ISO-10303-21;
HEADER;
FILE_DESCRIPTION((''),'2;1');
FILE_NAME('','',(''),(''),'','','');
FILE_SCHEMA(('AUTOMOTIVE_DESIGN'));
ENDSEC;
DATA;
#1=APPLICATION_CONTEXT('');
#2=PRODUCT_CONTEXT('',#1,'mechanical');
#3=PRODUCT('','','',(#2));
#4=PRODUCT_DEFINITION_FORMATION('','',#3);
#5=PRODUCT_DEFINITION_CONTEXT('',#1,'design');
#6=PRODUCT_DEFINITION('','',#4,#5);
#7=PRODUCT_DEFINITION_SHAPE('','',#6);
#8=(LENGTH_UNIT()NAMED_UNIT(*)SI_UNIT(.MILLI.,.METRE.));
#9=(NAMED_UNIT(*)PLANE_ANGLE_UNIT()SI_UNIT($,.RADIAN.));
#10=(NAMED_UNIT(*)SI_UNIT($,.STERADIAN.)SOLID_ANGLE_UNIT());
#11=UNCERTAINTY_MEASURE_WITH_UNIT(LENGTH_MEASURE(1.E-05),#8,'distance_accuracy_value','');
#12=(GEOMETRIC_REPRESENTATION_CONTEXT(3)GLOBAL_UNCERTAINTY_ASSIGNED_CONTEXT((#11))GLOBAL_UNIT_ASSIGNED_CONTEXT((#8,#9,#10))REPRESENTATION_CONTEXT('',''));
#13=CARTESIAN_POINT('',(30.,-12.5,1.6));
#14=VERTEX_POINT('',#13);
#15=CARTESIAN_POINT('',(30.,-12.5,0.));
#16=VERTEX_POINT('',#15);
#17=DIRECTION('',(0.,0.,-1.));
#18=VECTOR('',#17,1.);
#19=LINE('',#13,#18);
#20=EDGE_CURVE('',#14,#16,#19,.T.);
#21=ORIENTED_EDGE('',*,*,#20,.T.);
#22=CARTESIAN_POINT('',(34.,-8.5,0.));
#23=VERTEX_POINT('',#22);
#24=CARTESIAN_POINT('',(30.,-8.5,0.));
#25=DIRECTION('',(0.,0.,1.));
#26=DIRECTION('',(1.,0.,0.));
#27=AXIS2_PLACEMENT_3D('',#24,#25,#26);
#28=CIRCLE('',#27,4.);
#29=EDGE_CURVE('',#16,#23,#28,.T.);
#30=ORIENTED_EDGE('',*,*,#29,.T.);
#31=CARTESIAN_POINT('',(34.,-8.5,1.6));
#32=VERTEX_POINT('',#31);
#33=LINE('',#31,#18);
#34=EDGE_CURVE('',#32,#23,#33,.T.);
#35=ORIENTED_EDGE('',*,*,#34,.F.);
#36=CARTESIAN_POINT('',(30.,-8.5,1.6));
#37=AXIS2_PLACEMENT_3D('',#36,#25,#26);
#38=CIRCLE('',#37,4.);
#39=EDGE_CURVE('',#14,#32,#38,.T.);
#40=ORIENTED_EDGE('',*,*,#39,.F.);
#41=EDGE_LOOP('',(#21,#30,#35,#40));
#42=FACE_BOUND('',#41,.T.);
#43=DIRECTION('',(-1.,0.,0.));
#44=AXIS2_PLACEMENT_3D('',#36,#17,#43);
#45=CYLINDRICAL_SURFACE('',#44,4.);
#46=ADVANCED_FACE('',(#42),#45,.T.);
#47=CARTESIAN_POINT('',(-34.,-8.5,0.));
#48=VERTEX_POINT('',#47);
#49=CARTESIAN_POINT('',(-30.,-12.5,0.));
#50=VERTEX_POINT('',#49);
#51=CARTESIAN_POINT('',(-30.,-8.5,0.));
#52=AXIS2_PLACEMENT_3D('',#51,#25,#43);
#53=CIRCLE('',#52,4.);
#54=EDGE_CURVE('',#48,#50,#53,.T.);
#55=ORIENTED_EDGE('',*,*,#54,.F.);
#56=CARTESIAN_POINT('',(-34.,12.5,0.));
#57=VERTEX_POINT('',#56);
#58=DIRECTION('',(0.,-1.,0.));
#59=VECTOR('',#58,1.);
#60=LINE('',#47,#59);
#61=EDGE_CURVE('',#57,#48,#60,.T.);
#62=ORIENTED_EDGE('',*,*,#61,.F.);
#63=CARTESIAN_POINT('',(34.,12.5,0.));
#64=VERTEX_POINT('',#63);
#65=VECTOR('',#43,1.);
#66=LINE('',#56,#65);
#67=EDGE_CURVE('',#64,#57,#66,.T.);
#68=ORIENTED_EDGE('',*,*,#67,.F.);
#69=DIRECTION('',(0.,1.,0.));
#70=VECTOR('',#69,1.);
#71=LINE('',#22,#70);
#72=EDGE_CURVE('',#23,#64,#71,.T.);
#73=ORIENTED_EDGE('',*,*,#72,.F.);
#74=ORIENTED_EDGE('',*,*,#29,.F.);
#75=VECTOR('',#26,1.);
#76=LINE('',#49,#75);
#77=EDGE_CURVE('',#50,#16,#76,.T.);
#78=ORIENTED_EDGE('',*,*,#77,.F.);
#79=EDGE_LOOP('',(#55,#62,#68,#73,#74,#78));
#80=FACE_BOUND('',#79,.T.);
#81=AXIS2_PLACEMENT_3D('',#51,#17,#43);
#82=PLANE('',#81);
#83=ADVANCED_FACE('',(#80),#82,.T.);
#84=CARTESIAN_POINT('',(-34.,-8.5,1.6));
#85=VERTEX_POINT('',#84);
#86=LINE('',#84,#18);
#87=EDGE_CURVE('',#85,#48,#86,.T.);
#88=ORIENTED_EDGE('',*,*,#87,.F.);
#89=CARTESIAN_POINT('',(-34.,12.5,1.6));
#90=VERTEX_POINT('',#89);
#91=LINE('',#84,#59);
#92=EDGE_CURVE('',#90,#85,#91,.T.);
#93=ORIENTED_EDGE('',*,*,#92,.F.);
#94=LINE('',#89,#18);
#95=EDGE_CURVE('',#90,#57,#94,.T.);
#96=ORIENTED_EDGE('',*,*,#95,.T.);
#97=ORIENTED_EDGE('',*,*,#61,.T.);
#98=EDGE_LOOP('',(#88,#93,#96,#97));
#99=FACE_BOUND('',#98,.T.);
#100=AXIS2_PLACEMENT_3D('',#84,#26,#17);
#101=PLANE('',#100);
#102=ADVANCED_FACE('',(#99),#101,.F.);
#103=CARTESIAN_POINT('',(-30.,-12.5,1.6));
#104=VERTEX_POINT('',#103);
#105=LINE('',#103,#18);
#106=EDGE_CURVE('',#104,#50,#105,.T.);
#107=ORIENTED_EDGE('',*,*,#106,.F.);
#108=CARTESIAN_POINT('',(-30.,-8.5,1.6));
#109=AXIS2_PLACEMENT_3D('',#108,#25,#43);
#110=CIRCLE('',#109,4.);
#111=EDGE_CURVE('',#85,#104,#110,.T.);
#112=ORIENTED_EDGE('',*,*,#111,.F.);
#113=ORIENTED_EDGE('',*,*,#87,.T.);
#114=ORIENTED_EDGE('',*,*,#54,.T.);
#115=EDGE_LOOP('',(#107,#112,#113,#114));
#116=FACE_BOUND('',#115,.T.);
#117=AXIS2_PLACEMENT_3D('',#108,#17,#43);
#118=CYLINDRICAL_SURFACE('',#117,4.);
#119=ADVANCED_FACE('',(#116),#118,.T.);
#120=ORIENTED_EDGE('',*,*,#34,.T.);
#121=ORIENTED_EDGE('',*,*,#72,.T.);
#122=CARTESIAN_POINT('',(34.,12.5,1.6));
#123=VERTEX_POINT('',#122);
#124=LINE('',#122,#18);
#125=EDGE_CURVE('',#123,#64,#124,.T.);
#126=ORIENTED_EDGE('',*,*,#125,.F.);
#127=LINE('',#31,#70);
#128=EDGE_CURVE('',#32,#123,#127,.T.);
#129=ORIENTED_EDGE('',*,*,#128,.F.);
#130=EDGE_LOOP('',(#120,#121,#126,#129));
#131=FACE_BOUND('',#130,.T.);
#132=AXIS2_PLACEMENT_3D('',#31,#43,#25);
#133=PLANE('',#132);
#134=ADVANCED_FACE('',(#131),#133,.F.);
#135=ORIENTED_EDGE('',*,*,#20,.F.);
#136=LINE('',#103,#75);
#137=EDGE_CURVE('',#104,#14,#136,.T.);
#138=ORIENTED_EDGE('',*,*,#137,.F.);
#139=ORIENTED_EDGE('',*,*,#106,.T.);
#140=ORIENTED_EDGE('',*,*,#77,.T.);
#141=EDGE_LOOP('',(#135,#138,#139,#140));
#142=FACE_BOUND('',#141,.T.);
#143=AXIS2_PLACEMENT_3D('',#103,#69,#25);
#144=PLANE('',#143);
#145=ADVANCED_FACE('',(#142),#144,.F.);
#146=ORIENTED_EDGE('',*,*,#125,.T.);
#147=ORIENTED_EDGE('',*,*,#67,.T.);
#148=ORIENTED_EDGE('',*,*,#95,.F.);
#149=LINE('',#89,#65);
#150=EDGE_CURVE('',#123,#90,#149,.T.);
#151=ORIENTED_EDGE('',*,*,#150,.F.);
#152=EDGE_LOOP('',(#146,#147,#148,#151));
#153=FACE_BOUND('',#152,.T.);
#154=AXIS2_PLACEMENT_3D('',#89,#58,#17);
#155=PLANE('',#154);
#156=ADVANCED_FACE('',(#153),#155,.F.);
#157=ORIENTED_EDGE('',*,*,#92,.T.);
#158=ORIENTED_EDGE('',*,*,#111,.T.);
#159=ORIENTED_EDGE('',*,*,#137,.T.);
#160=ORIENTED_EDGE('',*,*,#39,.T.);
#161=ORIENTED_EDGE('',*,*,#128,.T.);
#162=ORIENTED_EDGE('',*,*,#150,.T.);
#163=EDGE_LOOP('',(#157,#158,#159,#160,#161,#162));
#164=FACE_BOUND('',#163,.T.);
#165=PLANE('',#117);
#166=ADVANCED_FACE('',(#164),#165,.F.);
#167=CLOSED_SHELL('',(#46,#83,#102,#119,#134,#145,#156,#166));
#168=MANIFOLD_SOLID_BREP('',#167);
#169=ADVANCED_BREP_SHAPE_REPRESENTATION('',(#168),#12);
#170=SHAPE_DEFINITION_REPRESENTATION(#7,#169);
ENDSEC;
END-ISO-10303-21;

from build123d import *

# Parameters (mm, degrees)
EXTRUDE_1_DEPTH = 1.6


with BuildPart() as part:
    # Эскиз1 → Бобышка-Вытянуть1 (new body)
    with BuildSketch(Plane.XY):
        with BuildLine():
            Line((-30, -12.5), (30, -12.5))
            ThreePointArc((30, -12.5), (32.828427125, -11.328427125), (34, -8.5))
            Line((34, -8.5), (34, 12.5))
            Line((34, 12.5), (-34, 12.5))
            Line((-34, 12.5), (-34, -8.5))
            ThreePointArc((-34, -8.5), (-32.828427125, -11.328427125), (-30, -12.5))
        make_face()
    extrude(amount=EXTRUDE_1_DEPTH)


solid = part.part
